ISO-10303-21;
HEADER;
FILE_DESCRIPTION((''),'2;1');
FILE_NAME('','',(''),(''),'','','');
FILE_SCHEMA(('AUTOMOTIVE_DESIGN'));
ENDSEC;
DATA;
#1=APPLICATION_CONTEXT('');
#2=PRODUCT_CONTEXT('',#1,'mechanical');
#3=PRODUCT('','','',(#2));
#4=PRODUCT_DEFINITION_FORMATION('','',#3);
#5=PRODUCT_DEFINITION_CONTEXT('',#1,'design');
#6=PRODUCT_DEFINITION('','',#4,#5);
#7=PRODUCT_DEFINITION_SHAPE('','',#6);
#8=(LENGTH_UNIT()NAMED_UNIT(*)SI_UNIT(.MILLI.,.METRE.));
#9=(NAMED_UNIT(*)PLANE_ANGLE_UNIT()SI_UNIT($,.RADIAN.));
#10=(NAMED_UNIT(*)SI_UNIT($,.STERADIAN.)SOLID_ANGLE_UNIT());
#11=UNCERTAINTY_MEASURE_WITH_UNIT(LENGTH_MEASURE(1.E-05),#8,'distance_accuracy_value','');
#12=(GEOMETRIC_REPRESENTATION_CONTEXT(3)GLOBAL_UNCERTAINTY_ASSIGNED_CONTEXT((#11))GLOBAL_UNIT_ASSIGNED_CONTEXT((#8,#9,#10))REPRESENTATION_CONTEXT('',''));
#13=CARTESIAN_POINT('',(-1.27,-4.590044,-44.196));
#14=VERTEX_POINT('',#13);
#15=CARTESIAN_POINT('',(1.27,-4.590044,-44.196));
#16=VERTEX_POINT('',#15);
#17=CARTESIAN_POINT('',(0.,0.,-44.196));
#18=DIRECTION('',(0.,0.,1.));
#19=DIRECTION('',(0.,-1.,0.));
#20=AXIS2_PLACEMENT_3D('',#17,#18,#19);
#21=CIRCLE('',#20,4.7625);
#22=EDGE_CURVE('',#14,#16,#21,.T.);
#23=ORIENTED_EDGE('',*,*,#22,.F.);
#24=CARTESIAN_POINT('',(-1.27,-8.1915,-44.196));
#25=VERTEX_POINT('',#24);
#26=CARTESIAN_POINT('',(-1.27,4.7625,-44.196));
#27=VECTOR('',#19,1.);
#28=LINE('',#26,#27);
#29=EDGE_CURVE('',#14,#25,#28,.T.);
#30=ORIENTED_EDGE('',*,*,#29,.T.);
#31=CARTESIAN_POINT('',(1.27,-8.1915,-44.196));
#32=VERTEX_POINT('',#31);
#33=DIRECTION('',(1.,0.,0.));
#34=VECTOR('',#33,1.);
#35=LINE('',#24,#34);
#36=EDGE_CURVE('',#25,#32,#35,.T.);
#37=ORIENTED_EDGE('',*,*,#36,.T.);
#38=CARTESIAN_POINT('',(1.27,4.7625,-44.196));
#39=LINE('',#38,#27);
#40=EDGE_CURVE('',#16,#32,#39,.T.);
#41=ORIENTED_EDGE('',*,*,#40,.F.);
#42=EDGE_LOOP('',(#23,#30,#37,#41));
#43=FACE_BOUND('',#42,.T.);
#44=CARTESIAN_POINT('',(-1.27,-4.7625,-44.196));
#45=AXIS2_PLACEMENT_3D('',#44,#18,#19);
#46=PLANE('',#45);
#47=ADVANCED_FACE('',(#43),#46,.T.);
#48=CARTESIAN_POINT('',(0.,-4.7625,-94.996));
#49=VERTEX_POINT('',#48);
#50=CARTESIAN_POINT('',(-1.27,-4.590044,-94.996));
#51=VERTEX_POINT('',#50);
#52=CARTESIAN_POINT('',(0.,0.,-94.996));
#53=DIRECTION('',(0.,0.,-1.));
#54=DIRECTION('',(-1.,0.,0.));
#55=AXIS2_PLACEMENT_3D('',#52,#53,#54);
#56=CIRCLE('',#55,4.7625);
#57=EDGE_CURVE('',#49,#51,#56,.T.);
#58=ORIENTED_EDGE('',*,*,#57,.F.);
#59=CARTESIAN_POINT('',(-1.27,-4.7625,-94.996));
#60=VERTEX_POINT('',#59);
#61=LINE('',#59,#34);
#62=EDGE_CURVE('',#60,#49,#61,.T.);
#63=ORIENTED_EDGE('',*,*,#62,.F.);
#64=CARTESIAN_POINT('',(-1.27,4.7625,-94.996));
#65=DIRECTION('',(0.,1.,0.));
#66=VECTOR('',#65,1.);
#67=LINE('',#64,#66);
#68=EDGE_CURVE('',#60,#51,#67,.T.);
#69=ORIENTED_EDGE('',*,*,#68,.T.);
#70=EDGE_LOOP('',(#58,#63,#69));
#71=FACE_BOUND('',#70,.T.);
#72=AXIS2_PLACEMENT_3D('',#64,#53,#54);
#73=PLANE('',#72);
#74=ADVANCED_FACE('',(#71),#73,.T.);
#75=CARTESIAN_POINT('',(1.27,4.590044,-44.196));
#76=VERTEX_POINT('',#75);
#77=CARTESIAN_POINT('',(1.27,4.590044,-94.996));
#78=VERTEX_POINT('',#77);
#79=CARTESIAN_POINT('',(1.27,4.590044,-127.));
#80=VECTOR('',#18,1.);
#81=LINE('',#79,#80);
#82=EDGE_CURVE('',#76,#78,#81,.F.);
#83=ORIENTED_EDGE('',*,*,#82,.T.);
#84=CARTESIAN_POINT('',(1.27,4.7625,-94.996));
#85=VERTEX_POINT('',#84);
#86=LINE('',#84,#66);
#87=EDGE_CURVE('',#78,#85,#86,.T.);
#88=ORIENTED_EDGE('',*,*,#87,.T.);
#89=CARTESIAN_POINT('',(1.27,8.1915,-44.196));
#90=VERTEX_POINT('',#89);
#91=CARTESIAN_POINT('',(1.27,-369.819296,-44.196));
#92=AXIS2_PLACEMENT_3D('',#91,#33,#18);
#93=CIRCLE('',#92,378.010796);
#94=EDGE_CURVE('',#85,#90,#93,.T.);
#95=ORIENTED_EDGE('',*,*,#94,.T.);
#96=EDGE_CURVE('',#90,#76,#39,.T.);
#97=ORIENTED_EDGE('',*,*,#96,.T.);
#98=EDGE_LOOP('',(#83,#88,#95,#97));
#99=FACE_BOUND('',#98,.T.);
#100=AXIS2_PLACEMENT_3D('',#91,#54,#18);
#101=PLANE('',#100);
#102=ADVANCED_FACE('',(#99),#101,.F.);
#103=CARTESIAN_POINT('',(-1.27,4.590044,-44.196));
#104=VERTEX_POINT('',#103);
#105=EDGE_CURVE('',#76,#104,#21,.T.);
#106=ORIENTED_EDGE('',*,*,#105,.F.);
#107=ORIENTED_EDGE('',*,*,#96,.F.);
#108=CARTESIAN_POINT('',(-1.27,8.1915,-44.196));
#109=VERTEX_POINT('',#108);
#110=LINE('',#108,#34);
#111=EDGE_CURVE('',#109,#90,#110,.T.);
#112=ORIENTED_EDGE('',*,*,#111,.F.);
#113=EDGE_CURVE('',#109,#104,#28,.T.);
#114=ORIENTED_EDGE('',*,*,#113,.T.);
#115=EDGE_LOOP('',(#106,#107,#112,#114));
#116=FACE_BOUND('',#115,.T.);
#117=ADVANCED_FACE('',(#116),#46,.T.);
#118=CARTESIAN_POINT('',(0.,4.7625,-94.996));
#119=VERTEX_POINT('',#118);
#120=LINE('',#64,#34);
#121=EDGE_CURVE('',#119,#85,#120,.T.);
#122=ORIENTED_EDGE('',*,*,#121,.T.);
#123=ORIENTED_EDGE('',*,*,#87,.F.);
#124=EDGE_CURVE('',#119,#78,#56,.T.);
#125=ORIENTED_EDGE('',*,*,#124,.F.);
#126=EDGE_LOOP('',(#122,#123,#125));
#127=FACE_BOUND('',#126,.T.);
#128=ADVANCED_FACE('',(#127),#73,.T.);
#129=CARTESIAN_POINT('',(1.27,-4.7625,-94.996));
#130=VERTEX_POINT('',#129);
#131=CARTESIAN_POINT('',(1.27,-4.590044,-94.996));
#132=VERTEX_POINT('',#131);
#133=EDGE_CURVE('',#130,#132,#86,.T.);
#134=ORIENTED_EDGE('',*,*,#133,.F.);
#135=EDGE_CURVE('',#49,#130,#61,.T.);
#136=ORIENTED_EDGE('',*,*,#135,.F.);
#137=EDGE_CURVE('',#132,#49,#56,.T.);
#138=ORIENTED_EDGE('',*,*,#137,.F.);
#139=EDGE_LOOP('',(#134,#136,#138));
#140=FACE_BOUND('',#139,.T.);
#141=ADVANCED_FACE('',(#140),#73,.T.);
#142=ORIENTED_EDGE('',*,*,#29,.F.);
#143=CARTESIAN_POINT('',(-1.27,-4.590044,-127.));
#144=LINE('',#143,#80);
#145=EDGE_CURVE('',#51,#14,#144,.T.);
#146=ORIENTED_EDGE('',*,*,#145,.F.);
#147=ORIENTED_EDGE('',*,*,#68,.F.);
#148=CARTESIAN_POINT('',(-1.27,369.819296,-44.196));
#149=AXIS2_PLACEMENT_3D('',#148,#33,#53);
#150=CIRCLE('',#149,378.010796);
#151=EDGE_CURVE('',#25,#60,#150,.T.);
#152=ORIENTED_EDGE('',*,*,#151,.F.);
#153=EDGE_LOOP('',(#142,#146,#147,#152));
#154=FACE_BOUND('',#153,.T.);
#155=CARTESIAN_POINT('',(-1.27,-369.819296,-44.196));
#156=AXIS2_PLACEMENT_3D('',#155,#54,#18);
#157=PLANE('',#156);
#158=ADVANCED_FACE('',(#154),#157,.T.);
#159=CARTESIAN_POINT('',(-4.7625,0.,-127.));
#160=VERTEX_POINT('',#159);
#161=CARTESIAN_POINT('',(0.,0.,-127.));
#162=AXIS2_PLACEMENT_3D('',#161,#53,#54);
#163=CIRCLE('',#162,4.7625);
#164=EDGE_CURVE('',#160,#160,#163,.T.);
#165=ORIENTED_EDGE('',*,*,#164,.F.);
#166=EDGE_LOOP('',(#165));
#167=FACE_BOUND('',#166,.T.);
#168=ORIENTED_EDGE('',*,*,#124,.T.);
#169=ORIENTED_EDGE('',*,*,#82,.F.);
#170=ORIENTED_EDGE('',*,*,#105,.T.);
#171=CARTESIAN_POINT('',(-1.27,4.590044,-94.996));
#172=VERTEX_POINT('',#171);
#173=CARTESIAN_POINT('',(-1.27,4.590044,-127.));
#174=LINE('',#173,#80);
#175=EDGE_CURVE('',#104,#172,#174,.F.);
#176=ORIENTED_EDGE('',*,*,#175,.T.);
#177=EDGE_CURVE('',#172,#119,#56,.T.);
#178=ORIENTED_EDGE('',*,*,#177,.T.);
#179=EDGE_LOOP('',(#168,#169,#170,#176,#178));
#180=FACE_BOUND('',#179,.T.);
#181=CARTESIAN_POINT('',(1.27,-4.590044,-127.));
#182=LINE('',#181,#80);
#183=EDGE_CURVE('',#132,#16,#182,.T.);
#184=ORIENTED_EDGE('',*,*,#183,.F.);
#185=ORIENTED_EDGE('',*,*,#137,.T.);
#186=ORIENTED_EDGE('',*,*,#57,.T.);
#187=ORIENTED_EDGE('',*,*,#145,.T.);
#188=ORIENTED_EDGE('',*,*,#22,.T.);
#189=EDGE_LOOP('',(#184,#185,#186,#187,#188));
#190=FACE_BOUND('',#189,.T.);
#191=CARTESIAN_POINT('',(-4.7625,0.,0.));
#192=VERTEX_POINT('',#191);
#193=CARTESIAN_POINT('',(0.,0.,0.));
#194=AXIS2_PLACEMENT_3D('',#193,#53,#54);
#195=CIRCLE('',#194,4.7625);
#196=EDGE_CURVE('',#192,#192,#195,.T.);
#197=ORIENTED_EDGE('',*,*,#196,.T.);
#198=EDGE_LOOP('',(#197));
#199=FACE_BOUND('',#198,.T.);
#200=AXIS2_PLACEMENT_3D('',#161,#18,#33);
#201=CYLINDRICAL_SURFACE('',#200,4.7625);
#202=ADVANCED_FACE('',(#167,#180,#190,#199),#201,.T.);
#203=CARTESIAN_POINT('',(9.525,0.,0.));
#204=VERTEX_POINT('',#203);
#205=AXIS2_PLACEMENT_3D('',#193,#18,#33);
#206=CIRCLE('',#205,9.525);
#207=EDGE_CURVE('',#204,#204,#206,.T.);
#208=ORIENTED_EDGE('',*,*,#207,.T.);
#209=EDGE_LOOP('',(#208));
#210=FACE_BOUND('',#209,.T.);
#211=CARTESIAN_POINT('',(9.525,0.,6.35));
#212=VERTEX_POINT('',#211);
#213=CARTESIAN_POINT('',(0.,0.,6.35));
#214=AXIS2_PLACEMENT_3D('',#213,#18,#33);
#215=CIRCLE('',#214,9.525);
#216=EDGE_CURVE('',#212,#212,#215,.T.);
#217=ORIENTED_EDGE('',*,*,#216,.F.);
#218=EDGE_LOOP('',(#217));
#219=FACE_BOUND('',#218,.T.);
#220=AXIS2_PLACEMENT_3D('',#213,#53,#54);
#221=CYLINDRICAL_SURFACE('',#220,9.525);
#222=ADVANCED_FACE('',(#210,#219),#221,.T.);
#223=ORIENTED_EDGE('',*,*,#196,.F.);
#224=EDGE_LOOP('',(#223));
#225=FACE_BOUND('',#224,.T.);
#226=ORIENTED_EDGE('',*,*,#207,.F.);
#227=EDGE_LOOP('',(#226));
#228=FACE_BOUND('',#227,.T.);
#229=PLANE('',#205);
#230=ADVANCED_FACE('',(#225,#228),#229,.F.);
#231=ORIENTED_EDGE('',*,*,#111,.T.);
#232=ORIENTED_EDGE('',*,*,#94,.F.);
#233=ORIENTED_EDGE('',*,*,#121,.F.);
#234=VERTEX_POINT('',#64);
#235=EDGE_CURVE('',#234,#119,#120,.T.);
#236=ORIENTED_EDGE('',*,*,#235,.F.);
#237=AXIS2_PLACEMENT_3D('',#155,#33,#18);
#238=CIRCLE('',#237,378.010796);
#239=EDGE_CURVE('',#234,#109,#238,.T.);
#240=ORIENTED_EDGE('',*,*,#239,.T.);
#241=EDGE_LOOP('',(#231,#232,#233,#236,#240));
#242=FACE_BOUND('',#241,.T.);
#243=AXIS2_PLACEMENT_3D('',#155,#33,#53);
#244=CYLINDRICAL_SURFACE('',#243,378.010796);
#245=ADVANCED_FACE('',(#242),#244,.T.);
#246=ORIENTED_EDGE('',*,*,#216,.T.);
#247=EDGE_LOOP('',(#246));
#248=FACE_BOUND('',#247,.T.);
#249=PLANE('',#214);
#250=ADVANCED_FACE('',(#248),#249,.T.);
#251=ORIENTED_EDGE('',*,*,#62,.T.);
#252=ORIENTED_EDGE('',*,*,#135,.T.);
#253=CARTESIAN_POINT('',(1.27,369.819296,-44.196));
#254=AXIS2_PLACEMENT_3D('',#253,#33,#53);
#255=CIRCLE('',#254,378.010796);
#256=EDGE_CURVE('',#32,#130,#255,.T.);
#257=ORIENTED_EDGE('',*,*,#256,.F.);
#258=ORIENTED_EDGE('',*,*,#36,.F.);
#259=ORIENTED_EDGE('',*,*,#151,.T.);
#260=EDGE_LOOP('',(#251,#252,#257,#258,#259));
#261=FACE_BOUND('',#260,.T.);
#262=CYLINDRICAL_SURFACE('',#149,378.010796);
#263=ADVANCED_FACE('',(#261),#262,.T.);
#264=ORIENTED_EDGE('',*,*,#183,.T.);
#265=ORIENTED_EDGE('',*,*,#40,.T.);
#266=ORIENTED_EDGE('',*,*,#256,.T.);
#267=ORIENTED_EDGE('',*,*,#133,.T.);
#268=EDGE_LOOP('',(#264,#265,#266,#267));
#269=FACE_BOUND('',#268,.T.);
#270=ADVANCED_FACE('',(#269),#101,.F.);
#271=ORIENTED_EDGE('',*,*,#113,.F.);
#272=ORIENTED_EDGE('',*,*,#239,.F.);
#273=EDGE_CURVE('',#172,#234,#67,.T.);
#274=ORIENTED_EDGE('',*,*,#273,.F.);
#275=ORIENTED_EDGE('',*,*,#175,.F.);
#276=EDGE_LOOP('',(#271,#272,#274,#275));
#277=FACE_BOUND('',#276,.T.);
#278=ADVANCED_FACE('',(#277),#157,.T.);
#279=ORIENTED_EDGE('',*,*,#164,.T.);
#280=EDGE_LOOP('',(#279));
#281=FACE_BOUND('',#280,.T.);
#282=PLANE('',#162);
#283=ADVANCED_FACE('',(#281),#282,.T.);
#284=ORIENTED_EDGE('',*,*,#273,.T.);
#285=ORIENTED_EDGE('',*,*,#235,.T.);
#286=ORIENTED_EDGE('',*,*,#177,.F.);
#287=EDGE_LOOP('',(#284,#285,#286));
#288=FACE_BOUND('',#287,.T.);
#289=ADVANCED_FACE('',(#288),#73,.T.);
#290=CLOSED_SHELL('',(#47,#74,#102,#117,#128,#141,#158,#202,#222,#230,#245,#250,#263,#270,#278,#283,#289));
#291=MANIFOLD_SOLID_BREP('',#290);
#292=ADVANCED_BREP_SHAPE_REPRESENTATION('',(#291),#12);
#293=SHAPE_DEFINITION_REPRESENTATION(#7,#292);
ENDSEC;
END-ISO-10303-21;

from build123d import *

# Parameters (mm, degrees)
SKETCH1_R                = 9.525
BOSS_EXTRUDE1_DEPTH      = 6.35
SKETCH2_R                = 4.7625
BOSS_EXTRUDE2_DEPTH      = 127
BOSS_EXTRUDE3_DEPTH      = 1.27
BOSS_EXTRUDE3_DEPTH_BACK = 1.27


with BuildPart() as part:
    # Sketch1 → Boss-Extrude1 (new body)
    with BuildSketch(Plane.XY):
        Circle(SKETCH1_R)
    extrude(amount=BOSS_EXTRUDE1_DEPTH)

    # Sketch2 → Boss-Extrude2 (add)
    with BuildSketch(Plane(origin=(0, 0, 0), x_dir=(-1, 0, 0), z_dir=(0, 0, -1))):
        Circle(SKETCH2_R)
    extrude(amount=BOSS_EXTRUDE2_DEPTH)

    # Sketch3 → Boss-Extrude3 (add, two sides: drawn at the far end of the back side and taken through both)
    with BuildSketch(Plane(origin=(0, 0, 0), x_dir=(0, 0, -1), z_dir=(1, 0, 0)).offset(-BOSS_EXTRUDE3_DEPTH_BACK)):
        with BuildLine():
            Line((44.196, -4.7625), (44.196, 4.7625))
            Line((44.196, 4.7625), (44.196, 8.1915))
            ThreePointArc((44.196, 8.1915), (69.653798614, 7.333275757), (94.996, 4.7625))
            Line((94.996, 4.7625), (94.996, -4.7625))
            ThreePointArc((94.996, -4.7625), (69.653798614, -7.333275757), (44.196, -8.1915))
            Line((44.196, -8.1915), (44.196, -4.7625))
        make_face()
    extrude(amount=BOSS_EXTRUDE3_DEPTH + BOSS_EXTRUDE3_DEPTH_BACK)


solid = part.part
